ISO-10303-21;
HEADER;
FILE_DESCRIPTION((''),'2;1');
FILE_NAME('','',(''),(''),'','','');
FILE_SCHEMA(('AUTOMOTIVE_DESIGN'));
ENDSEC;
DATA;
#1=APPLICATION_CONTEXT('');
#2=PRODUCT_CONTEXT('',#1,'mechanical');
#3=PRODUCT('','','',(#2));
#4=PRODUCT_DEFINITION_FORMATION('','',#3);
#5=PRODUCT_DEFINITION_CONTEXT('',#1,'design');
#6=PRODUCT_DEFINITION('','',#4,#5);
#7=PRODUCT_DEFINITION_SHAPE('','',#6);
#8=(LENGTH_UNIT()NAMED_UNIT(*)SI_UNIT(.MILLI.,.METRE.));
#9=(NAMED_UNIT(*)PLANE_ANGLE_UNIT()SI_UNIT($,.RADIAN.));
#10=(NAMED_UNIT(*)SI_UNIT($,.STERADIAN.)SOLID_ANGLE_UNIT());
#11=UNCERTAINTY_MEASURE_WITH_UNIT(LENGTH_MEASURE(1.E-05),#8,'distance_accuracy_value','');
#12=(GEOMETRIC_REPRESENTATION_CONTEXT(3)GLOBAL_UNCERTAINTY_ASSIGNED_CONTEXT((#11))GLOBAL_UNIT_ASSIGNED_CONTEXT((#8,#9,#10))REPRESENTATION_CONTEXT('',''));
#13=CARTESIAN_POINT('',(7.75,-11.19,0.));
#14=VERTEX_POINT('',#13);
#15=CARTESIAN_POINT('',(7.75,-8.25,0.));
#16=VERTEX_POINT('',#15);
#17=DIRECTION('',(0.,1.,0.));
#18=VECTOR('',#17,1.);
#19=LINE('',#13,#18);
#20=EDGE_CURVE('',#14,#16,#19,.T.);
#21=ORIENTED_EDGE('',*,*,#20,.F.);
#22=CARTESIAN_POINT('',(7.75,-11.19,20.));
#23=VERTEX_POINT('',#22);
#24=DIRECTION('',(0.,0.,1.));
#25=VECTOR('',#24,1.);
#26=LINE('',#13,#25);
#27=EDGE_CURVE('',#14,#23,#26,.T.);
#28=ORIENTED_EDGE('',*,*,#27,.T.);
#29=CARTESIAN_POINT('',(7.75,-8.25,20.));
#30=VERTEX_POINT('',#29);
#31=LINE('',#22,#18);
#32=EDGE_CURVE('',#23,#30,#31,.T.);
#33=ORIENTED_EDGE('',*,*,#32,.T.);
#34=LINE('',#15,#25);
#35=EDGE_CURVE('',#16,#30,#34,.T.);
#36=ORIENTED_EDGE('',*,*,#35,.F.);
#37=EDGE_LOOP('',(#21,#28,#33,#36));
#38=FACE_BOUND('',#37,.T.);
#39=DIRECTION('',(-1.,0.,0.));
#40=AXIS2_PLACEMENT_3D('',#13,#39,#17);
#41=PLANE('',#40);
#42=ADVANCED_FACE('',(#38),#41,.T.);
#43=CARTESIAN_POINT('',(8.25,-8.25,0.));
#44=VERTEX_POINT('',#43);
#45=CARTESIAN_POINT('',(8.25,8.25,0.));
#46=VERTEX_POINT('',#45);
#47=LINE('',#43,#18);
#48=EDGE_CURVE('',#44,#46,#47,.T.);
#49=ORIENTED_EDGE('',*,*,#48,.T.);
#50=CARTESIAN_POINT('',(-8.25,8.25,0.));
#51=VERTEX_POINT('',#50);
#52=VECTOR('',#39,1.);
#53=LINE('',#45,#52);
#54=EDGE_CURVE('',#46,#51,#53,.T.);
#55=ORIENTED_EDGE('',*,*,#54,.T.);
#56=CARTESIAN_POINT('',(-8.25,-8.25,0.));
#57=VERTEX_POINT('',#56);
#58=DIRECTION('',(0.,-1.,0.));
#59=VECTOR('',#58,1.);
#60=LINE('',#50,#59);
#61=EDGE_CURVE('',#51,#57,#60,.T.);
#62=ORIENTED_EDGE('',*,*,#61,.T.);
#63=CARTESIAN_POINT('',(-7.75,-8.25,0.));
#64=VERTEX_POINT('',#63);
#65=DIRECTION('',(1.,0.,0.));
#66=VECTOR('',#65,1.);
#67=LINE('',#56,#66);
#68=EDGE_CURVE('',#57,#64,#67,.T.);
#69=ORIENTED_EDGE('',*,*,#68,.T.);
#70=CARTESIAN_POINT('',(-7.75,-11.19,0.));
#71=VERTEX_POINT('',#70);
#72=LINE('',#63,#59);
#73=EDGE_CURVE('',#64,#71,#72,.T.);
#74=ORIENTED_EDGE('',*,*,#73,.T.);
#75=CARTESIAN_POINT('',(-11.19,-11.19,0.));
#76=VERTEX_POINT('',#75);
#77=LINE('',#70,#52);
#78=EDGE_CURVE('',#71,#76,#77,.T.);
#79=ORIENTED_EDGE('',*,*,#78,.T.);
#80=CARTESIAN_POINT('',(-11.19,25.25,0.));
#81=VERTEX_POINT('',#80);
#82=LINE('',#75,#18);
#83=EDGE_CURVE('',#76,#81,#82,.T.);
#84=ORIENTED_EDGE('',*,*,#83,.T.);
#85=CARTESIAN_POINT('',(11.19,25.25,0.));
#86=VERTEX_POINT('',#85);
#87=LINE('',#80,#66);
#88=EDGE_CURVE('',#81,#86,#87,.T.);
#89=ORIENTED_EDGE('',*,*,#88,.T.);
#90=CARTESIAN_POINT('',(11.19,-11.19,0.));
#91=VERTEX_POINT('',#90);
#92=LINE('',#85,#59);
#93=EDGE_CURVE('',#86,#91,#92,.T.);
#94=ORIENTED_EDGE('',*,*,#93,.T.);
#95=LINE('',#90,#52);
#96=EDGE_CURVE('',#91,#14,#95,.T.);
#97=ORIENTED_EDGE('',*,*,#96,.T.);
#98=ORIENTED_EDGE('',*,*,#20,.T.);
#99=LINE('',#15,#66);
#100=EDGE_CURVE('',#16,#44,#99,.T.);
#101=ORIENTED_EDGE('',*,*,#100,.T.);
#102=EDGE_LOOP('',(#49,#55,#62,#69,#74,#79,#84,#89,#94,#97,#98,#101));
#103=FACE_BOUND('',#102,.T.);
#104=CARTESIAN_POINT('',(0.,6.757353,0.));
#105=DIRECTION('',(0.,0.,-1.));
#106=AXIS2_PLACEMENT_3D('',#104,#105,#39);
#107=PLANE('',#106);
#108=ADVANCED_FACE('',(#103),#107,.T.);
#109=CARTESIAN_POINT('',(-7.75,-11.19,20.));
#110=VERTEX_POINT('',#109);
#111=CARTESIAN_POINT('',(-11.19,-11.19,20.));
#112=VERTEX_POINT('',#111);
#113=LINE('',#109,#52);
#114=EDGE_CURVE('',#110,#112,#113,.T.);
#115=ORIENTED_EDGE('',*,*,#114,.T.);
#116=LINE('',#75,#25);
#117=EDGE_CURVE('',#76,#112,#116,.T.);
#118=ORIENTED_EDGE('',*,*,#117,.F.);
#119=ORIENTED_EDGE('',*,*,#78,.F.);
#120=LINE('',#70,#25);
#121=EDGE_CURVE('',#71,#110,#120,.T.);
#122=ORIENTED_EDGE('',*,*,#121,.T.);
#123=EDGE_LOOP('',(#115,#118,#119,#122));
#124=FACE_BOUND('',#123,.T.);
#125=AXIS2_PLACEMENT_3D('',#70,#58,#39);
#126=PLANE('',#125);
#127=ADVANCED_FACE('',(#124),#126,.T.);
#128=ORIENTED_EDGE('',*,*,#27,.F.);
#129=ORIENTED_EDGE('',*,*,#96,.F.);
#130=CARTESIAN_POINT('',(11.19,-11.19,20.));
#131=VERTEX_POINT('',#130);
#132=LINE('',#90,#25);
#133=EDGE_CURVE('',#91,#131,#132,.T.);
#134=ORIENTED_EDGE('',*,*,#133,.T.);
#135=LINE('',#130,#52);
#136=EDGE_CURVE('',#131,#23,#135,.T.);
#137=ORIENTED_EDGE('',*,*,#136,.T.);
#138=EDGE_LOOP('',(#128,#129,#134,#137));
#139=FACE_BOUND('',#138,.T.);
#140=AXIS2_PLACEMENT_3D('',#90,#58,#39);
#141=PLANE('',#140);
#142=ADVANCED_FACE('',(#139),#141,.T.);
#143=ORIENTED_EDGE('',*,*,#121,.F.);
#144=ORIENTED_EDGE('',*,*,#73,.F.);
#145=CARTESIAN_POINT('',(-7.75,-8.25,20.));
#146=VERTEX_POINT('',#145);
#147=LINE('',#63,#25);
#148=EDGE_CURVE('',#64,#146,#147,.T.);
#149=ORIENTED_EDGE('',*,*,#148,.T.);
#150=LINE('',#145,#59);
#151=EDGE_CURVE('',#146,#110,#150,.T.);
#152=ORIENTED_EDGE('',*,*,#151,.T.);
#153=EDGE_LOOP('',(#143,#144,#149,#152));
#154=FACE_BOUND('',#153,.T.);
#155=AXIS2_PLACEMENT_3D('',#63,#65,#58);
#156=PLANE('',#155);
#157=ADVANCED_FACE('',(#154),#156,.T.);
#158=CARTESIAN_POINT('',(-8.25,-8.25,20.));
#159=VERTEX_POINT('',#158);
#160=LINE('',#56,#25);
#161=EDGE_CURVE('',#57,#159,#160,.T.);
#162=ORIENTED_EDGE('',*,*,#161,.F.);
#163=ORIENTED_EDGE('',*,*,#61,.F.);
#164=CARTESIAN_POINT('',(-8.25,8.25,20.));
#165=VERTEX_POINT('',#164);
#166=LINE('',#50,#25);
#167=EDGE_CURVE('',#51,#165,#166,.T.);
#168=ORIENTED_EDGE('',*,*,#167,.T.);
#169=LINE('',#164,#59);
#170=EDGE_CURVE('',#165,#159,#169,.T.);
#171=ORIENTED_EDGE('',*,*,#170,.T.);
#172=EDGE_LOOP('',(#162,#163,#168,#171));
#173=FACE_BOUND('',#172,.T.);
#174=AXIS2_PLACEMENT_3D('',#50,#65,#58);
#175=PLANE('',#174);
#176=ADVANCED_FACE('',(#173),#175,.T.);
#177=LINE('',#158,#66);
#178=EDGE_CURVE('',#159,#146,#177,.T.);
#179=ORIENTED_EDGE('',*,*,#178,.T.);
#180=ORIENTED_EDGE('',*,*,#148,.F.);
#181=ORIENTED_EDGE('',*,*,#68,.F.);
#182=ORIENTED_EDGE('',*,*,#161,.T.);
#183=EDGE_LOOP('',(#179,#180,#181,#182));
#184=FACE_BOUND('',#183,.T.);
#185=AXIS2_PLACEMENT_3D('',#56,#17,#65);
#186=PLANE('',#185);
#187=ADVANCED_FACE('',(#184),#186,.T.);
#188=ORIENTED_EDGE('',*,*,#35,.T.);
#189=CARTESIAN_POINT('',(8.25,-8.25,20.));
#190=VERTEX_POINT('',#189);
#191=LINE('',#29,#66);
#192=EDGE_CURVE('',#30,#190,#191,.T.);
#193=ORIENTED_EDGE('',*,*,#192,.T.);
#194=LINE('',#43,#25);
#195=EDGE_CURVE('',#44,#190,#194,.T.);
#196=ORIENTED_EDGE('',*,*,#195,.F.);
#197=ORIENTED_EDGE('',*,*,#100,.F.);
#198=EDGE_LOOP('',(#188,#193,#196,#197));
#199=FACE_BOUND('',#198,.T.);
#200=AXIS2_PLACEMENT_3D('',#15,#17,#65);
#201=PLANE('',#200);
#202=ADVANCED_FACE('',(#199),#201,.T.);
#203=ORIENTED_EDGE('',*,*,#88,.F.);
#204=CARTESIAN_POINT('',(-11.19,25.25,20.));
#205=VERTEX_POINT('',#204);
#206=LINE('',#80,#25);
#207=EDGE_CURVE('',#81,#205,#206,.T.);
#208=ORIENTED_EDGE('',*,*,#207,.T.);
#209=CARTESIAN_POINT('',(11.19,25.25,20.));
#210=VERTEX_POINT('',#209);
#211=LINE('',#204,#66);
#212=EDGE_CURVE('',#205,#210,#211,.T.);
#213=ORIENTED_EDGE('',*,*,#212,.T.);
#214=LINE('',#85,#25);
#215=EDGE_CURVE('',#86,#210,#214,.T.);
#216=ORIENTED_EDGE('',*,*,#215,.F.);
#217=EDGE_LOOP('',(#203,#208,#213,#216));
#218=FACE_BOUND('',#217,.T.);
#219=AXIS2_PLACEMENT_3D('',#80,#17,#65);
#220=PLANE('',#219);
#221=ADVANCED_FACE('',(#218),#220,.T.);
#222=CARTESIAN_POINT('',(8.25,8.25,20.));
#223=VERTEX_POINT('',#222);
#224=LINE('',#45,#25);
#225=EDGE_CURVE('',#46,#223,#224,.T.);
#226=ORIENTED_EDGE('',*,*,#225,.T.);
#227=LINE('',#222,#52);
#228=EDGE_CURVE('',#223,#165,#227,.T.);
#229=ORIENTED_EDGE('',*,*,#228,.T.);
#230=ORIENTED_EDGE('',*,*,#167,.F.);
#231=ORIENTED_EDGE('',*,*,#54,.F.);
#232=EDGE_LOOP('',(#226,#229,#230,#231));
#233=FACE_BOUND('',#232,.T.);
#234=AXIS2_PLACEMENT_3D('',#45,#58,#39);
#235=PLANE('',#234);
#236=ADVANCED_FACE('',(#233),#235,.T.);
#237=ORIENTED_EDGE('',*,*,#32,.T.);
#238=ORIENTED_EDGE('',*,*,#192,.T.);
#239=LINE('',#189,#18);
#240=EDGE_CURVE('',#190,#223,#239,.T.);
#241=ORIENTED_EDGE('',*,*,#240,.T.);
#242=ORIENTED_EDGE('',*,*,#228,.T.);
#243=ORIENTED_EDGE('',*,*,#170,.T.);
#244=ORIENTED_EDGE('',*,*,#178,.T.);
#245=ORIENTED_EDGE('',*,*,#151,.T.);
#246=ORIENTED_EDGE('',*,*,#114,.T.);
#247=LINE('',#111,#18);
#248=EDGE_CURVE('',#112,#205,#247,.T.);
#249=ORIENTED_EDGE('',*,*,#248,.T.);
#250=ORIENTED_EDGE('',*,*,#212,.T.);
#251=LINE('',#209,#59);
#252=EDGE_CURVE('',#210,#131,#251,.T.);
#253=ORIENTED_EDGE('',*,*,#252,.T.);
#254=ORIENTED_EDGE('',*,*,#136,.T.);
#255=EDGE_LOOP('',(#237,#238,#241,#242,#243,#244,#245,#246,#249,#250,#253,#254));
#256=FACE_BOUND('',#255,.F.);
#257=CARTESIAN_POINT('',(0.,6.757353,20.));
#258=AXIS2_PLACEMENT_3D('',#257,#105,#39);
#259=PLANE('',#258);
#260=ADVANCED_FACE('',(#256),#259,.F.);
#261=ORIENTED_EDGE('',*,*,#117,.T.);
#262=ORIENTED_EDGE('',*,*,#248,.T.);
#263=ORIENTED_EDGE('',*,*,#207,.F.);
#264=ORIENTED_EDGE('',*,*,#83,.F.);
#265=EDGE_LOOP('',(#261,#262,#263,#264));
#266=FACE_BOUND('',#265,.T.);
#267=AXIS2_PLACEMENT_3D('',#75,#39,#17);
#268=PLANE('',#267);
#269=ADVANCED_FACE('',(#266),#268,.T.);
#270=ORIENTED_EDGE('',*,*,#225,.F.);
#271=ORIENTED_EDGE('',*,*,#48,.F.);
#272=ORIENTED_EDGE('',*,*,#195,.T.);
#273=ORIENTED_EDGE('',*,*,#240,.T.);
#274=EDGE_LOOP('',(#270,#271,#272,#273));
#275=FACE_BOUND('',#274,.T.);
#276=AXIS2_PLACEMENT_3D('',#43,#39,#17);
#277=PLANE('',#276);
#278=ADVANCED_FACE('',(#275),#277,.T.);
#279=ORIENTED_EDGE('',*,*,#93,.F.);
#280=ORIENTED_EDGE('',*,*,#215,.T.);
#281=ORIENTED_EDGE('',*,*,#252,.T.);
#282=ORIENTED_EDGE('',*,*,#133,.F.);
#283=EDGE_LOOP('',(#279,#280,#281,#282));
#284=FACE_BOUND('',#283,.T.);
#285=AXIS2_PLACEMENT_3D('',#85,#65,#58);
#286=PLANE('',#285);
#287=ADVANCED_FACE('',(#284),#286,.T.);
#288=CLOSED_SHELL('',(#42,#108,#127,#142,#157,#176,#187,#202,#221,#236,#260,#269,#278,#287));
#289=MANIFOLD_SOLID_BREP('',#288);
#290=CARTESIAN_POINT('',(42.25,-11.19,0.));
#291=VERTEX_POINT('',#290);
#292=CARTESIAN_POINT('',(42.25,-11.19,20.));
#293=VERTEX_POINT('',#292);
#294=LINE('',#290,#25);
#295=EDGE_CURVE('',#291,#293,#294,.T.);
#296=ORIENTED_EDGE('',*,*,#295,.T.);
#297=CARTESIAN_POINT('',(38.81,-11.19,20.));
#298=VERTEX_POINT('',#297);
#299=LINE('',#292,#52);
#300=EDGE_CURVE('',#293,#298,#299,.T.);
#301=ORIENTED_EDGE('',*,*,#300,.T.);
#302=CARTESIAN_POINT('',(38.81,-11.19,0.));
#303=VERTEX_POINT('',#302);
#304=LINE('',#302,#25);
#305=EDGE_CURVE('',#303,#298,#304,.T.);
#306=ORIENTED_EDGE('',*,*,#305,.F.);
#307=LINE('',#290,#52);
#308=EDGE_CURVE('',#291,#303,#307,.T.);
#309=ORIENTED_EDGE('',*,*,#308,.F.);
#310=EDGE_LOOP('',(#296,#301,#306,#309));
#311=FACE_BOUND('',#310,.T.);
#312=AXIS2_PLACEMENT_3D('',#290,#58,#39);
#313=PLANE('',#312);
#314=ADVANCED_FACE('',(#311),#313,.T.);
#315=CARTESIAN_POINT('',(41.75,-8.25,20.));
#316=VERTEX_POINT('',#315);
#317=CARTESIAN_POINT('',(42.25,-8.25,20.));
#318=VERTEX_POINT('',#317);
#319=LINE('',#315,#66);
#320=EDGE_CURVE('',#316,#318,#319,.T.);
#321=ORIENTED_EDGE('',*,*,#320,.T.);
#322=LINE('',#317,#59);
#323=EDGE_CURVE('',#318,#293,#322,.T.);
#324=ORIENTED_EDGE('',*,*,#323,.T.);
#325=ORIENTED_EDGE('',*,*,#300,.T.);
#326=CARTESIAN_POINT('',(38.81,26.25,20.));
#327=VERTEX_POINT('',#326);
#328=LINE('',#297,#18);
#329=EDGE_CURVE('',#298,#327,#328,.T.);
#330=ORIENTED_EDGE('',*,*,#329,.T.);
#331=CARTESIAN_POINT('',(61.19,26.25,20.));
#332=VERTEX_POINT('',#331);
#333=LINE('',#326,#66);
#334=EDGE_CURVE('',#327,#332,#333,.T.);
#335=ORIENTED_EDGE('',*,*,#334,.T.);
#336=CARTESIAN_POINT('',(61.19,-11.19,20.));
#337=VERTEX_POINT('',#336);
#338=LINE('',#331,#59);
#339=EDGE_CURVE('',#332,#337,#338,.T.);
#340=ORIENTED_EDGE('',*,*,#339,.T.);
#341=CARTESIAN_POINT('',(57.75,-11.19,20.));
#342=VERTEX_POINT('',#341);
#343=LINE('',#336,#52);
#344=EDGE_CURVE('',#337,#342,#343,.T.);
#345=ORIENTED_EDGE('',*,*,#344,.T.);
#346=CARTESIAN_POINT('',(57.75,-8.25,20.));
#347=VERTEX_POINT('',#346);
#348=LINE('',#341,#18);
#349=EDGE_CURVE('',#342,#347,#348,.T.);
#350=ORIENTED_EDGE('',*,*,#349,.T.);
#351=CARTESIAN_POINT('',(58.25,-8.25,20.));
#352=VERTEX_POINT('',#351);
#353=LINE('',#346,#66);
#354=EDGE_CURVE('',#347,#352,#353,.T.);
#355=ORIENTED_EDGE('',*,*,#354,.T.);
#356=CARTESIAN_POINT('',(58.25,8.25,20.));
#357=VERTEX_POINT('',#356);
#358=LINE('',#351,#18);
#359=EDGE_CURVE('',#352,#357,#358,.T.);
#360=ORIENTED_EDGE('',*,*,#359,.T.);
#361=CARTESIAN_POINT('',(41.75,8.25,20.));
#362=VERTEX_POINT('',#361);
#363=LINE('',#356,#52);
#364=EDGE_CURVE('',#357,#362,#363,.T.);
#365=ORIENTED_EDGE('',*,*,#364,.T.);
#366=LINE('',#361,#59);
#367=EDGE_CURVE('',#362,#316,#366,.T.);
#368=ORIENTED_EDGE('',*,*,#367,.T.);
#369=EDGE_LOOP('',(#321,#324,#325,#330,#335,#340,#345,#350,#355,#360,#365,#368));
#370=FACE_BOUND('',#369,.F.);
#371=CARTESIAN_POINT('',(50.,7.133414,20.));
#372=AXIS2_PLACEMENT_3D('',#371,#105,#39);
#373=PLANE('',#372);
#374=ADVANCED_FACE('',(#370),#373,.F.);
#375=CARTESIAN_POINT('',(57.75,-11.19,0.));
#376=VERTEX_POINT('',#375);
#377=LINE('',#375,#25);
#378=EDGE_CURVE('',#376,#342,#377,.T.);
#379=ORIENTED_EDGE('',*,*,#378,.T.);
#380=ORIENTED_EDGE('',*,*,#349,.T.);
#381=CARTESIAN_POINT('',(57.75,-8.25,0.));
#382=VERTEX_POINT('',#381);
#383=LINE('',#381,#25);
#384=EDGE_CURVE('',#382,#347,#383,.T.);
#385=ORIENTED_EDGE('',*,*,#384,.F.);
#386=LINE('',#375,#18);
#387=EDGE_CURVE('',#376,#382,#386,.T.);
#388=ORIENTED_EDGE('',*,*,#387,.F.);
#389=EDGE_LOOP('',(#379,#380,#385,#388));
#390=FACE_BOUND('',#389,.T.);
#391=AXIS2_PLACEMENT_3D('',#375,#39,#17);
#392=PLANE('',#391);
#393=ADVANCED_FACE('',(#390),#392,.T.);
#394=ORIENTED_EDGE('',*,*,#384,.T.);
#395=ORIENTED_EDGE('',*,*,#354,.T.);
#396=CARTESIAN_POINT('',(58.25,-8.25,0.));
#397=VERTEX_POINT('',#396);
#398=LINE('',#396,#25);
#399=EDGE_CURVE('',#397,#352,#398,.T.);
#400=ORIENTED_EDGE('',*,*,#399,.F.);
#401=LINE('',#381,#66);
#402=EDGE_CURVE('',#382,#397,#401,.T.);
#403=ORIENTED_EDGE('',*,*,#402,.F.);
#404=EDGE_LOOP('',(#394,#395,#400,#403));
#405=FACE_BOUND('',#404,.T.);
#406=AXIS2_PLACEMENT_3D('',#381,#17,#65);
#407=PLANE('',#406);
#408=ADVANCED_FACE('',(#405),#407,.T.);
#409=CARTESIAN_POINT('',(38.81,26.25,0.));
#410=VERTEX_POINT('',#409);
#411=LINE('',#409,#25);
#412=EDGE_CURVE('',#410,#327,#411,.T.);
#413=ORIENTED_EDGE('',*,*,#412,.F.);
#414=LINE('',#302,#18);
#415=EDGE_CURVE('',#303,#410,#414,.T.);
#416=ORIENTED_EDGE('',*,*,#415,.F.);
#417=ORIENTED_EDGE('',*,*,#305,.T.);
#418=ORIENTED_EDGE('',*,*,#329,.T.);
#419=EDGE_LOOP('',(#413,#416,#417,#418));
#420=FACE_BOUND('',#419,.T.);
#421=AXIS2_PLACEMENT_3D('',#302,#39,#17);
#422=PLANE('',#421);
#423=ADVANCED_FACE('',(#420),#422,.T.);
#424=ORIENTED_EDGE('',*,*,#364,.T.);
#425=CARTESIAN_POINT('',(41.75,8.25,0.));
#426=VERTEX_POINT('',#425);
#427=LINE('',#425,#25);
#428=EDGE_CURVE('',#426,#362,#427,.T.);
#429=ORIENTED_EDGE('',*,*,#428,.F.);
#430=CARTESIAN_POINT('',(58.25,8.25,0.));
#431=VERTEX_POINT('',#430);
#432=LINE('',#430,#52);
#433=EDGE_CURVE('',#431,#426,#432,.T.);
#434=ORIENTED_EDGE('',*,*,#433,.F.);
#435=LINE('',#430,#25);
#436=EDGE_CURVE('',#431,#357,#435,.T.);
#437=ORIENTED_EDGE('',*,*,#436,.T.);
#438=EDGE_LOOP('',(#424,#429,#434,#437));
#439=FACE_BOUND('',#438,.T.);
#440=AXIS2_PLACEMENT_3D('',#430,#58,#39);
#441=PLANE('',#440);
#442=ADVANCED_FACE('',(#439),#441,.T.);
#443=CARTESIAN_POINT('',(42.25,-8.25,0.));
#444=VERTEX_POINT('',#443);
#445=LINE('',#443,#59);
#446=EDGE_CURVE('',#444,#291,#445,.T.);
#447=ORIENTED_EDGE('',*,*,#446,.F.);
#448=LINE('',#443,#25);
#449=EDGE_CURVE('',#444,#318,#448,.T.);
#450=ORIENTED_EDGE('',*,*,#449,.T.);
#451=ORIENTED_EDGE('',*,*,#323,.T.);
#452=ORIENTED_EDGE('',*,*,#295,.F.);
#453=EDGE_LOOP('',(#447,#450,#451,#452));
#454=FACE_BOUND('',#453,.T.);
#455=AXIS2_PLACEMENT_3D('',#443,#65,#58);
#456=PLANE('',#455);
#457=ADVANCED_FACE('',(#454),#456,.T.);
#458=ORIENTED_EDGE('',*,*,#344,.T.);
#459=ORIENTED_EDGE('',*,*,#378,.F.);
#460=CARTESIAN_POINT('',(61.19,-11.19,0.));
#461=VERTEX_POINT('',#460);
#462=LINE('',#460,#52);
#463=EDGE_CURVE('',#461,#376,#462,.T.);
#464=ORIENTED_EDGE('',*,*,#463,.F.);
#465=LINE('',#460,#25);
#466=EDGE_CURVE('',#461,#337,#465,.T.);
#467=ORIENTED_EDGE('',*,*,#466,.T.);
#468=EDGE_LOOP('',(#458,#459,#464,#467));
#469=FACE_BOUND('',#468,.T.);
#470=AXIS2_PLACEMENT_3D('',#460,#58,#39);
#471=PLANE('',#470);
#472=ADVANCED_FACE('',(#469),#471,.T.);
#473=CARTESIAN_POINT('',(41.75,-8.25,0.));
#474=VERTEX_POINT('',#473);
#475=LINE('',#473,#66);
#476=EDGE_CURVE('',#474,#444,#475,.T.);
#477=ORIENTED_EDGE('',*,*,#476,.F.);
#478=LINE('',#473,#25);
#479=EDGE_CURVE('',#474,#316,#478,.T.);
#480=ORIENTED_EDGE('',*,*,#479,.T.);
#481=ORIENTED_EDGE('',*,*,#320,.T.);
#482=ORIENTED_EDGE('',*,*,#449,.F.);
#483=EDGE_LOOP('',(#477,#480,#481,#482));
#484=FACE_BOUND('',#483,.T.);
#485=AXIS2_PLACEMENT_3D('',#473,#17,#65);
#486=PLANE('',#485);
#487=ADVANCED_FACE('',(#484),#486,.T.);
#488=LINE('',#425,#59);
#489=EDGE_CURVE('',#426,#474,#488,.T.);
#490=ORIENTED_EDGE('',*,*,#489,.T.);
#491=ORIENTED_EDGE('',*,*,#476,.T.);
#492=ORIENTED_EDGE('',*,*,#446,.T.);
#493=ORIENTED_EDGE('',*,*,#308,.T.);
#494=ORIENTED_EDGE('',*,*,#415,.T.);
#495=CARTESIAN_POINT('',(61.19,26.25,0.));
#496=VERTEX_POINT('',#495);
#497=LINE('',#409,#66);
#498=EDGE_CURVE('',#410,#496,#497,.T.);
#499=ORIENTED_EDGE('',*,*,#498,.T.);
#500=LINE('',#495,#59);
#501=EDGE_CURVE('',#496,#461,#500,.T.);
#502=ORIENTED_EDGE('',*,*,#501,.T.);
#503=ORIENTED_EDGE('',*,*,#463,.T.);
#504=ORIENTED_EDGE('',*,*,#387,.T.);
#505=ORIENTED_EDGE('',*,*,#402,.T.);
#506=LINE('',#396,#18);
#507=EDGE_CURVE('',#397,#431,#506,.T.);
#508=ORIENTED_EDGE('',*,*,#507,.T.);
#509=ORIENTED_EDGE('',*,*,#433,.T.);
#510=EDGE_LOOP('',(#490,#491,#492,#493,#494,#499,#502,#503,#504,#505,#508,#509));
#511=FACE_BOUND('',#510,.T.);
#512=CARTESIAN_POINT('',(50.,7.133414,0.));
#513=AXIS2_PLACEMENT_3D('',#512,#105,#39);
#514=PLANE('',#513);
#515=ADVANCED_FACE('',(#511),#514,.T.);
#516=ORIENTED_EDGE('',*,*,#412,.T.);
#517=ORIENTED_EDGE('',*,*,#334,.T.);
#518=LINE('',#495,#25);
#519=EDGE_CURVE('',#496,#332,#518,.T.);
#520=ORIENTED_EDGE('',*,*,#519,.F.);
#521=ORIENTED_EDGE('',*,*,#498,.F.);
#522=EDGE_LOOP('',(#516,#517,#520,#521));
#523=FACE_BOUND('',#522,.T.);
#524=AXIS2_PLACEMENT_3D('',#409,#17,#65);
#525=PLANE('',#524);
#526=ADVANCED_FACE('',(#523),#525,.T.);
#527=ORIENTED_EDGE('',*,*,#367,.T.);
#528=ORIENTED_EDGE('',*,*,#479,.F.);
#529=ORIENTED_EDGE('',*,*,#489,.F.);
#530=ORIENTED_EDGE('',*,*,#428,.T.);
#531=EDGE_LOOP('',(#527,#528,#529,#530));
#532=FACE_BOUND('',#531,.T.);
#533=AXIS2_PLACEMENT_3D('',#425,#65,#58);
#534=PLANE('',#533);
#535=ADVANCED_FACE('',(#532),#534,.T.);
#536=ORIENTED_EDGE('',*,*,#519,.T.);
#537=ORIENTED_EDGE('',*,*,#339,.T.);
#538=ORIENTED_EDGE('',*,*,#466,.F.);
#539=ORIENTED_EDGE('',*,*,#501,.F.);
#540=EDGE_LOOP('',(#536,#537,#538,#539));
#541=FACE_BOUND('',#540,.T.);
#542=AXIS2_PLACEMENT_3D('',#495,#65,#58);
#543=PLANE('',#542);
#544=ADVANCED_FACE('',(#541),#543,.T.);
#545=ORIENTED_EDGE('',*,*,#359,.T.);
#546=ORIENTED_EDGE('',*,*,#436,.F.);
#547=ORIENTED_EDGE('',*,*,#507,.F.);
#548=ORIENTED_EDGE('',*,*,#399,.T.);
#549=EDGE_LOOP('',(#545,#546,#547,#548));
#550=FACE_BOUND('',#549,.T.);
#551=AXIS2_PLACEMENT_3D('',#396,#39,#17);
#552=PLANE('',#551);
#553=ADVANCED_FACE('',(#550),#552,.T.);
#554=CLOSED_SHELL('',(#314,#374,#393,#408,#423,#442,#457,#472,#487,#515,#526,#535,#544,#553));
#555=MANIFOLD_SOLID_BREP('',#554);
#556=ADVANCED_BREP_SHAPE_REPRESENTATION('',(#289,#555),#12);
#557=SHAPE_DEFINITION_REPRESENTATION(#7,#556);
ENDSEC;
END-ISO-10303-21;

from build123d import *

# Parameters (mm, degrees)
PAD_DEPTH    = 20
PAD001_DEPTH = 20


with BuildPart() as smaller_clip:
    # Sketch → Pad (new body)
    with BuildSketch(Plane.XY):
        Polygon((8.25, -8.25), (8.25, 8.25), (-8.25, 8.25), (-8.25, -8.25), (-7.75, -8.25), (-7.75, -11.19), (-11.19, -11.19), (-11.19, 25.25), (11.19, 25.25), (11.19, -11.19), (7.75, -11.19), (7.75, -8.25), align=None)
    extrude(amount=PAD_DEPTH)


with BuildPart() as body:
    # Sketch001 → Pad001 (new body)
    with BuildSketch(Plane.XY):
        Polygon((58.25, -8.25), (58.25, 8.25), (41.75, 8.25), (41.75, -8.25), (42.25, -8.25), (42.25, -11.19), (38.81, -11.19), (38.81, 26.25), (61.19, 26.25), (61.19, -11.19), (57.75, -11.19), (57.75, -8.25), align=None)
    extrude(amount=PAD001_DEPTH)


solid = Compound([smaller_clip.part, body.part])
